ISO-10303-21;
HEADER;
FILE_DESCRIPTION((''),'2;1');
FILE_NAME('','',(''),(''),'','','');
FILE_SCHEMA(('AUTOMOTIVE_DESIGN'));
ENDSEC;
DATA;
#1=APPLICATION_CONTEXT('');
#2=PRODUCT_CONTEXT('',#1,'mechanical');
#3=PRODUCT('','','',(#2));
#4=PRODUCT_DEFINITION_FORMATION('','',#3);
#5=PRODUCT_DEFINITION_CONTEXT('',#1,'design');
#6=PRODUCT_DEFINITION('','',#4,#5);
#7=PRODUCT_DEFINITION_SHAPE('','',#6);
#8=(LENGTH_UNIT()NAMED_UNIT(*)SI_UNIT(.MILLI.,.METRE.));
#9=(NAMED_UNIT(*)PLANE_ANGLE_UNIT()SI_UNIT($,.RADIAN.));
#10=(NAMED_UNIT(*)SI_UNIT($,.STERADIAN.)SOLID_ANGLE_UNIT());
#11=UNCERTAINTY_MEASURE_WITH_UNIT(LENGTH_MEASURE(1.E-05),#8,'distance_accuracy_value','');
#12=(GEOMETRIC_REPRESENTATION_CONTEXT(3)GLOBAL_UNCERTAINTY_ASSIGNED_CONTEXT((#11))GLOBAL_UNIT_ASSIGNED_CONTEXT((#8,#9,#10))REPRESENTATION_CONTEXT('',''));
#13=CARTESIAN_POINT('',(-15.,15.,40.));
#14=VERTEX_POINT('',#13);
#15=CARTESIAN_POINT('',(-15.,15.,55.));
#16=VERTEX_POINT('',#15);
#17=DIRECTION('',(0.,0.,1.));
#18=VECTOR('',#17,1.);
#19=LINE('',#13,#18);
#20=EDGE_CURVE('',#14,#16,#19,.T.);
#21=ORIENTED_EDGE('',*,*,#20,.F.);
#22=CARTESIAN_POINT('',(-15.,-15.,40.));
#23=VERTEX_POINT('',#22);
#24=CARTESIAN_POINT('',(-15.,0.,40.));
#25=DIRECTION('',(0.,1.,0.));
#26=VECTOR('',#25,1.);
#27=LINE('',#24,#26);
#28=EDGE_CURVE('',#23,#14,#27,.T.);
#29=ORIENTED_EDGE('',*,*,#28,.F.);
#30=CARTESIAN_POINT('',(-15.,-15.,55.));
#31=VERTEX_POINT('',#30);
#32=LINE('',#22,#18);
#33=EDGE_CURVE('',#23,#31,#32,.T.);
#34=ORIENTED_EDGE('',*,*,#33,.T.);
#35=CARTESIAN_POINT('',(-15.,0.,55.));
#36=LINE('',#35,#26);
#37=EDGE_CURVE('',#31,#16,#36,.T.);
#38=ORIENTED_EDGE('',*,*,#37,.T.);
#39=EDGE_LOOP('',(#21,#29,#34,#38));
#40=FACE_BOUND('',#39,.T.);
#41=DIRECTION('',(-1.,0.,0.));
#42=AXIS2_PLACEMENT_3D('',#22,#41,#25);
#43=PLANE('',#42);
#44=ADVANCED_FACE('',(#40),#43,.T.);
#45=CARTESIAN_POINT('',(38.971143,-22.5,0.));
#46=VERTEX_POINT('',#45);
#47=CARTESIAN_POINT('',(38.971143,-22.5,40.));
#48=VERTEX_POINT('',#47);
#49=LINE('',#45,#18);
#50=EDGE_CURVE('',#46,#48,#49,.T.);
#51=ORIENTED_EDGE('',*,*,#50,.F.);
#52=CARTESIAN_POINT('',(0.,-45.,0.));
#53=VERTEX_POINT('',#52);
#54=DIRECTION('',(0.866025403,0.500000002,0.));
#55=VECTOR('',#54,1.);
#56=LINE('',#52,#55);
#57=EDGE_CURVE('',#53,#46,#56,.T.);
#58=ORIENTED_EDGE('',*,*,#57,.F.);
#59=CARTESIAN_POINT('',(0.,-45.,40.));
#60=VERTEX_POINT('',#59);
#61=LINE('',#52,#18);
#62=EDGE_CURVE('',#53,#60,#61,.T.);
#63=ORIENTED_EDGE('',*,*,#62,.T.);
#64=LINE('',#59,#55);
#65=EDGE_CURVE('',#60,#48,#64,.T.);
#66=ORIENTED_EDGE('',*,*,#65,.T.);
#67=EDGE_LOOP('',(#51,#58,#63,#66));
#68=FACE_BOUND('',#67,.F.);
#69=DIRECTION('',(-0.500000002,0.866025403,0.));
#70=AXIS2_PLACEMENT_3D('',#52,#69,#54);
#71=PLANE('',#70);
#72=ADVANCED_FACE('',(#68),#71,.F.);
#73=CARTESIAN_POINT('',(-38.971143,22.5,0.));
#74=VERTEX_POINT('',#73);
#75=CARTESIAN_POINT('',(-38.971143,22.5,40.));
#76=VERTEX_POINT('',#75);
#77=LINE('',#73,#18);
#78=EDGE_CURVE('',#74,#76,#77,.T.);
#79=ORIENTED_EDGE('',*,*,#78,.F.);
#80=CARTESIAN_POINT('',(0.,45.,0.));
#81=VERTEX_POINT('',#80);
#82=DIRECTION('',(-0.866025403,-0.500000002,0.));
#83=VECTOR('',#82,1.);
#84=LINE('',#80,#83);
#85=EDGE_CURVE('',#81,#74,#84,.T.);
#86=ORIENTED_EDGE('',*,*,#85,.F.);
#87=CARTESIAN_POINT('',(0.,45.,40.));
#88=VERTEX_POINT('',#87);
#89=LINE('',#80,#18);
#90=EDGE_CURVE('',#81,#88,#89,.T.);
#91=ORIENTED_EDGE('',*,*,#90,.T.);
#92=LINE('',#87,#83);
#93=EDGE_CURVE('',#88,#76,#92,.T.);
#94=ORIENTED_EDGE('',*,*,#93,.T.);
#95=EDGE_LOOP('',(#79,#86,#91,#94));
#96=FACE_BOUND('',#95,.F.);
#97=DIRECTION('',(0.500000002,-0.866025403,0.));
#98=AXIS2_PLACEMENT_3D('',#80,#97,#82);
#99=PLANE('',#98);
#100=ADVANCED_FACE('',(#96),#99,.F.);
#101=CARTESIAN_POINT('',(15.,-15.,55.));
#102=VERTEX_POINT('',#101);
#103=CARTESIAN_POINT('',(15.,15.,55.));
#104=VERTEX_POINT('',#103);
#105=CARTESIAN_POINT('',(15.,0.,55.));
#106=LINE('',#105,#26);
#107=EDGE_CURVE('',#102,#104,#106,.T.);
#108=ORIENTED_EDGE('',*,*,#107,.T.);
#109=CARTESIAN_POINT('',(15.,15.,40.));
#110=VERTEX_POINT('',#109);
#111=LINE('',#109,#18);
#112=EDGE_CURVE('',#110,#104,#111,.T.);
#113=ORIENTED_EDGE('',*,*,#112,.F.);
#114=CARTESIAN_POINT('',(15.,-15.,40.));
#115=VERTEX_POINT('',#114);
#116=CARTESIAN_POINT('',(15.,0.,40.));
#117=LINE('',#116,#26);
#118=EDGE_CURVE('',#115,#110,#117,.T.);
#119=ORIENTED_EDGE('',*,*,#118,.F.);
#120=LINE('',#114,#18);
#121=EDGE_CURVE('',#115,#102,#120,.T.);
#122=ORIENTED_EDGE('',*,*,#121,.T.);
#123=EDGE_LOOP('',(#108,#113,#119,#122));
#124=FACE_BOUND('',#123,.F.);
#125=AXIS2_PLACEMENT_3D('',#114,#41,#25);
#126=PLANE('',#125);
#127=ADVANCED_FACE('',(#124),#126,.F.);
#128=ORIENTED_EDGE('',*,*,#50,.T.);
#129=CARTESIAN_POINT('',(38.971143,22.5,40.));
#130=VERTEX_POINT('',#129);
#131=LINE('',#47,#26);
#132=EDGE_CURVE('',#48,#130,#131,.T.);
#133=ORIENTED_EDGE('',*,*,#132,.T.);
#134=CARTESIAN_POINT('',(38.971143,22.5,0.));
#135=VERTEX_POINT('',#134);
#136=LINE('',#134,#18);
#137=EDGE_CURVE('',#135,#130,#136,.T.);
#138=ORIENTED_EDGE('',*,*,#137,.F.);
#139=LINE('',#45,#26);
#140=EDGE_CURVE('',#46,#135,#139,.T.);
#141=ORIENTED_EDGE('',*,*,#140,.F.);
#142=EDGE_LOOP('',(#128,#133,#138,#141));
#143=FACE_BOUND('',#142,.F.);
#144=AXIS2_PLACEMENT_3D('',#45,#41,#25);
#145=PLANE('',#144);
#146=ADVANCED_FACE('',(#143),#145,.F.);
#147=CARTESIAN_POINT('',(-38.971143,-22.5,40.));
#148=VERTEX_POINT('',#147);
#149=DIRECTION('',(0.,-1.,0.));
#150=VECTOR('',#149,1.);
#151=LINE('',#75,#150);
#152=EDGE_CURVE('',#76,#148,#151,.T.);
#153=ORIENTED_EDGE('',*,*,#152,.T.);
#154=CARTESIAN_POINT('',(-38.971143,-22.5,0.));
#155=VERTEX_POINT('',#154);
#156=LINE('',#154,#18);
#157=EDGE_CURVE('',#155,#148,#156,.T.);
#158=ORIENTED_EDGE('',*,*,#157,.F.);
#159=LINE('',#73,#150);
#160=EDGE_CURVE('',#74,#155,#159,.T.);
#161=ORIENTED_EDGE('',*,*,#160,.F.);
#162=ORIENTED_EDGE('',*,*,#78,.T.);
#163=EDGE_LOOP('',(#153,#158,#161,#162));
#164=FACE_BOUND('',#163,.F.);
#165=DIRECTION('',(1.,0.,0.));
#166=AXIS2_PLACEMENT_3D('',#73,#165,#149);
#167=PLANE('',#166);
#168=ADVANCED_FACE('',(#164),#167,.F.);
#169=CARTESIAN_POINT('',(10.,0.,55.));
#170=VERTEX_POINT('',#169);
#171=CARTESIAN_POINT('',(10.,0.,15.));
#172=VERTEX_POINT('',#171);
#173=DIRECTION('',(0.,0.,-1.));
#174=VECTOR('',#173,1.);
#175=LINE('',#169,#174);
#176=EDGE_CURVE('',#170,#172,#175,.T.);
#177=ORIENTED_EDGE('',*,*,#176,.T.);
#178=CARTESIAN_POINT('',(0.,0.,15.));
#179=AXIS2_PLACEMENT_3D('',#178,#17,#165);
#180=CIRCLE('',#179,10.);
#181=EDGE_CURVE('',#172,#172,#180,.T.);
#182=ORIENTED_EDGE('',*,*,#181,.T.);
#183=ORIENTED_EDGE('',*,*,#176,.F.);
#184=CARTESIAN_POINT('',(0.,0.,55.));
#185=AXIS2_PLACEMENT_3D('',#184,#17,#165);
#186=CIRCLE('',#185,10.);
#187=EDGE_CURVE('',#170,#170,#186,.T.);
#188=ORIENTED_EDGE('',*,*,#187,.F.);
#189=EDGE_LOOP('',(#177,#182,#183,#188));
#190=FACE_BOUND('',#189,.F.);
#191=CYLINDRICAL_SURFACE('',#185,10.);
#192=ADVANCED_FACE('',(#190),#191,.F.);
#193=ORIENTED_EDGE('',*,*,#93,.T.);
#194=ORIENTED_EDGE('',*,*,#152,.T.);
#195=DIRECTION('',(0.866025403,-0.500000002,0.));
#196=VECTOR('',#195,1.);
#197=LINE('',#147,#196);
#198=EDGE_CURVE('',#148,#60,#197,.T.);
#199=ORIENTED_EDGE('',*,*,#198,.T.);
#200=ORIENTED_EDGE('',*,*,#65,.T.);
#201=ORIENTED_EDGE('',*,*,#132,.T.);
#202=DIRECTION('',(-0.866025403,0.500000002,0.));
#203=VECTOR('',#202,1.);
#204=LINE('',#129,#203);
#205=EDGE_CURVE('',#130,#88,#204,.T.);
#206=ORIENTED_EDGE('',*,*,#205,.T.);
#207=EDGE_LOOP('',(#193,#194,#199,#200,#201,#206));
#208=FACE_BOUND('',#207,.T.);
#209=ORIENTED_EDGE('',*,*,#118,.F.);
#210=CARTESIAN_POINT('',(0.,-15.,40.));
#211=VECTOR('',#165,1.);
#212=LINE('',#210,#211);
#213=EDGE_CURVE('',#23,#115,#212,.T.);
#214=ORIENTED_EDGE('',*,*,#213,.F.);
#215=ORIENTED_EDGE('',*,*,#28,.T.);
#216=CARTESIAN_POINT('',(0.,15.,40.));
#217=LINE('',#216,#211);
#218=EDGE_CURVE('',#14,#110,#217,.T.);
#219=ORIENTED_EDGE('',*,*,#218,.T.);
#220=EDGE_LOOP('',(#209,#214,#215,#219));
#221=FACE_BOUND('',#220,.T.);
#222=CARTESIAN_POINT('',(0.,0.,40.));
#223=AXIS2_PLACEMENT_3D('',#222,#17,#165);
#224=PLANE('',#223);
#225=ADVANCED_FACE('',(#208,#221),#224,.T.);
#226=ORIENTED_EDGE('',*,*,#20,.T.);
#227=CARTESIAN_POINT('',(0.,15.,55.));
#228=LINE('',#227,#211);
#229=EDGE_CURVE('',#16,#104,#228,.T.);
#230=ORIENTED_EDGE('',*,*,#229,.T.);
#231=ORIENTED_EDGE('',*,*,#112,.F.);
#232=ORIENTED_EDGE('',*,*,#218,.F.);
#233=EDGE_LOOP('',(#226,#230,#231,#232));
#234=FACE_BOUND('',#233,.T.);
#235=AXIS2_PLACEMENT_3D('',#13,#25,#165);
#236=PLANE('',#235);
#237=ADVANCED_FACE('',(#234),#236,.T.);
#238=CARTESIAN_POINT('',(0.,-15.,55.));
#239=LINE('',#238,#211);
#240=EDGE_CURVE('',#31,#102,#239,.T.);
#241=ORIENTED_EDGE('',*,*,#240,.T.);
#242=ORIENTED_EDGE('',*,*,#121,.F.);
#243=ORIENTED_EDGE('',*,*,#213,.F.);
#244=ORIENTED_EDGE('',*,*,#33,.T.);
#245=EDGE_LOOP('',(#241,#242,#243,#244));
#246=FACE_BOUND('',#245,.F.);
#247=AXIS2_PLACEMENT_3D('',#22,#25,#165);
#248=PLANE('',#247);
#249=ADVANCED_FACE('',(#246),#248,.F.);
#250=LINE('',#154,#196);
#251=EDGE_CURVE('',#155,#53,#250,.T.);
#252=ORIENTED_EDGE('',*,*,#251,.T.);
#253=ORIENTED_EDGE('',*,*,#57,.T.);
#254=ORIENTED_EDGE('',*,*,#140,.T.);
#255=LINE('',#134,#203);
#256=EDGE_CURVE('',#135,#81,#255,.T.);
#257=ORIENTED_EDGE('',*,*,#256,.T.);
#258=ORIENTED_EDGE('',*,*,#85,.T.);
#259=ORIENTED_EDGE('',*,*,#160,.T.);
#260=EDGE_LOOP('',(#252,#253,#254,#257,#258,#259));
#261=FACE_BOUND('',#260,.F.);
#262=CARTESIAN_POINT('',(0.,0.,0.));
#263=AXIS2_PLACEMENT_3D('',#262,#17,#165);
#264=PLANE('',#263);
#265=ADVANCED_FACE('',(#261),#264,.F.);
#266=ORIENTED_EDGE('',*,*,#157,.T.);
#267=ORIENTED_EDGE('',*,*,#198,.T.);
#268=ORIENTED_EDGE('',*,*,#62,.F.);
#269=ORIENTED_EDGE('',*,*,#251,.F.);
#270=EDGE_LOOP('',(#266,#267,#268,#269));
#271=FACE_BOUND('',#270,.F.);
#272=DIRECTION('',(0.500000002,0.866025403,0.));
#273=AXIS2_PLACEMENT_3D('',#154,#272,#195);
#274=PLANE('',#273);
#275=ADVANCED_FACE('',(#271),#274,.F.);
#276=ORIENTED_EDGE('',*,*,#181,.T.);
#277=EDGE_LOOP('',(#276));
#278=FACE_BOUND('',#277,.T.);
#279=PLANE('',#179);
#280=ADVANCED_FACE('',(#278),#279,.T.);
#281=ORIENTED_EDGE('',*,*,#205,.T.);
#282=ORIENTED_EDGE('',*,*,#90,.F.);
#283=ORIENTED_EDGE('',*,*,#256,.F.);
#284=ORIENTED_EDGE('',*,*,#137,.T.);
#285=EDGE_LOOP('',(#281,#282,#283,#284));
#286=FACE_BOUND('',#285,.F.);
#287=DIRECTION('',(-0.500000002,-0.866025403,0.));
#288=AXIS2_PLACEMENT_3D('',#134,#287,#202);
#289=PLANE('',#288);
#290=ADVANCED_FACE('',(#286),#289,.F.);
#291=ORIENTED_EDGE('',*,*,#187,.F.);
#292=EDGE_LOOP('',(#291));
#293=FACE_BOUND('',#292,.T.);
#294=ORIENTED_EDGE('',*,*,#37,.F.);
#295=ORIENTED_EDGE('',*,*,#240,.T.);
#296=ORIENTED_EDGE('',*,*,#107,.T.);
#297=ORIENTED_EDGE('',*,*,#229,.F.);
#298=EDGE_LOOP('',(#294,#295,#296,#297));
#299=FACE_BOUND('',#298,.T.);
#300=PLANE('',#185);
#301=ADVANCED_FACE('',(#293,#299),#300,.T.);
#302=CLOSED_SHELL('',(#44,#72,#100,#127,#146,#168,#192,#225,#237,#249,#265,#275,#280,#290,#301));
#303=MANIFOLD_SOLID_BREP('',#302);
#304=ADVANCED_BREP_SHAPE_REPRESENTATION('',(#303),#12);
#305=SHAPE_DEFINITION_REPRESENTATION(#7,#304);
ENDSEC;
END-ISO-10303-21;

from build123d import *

# Parameters (mm, degrees)
F1_DEPTH = 40
F2_W     = 30
F2_H     = 30
F3_DEPTH = 15
F4_R     = 10
F5_DEPTH = 40


with BuildPart() as f1:
    # F0 (on Top) → F1 (new body)
    with BuildSketch(Plane.XY):
        Polygon((38.971143, -22.5), (38.971143, 22.5), (0, 45), (-38.971143, 22.5), (-38.971143, -22.5), (0, -45), align=None)
    extrude(amount=F1_DEPTH)

    # F2 (on face) → F3 (join)
    with BuildSketch(Plane.XY.offset(40)):
        Rectangle(F2_W, F2_H)
    extrude(amount=F3_DEPTH)

    # F4 (on face) → F5 (cut)
    with BuildSketch(Plane.XY.offset(55)):
        Circle(F4_R)
    extrude(amount=-F5_DEPTH, mode=Mode.SUBTRACT)


solid = f1.part
